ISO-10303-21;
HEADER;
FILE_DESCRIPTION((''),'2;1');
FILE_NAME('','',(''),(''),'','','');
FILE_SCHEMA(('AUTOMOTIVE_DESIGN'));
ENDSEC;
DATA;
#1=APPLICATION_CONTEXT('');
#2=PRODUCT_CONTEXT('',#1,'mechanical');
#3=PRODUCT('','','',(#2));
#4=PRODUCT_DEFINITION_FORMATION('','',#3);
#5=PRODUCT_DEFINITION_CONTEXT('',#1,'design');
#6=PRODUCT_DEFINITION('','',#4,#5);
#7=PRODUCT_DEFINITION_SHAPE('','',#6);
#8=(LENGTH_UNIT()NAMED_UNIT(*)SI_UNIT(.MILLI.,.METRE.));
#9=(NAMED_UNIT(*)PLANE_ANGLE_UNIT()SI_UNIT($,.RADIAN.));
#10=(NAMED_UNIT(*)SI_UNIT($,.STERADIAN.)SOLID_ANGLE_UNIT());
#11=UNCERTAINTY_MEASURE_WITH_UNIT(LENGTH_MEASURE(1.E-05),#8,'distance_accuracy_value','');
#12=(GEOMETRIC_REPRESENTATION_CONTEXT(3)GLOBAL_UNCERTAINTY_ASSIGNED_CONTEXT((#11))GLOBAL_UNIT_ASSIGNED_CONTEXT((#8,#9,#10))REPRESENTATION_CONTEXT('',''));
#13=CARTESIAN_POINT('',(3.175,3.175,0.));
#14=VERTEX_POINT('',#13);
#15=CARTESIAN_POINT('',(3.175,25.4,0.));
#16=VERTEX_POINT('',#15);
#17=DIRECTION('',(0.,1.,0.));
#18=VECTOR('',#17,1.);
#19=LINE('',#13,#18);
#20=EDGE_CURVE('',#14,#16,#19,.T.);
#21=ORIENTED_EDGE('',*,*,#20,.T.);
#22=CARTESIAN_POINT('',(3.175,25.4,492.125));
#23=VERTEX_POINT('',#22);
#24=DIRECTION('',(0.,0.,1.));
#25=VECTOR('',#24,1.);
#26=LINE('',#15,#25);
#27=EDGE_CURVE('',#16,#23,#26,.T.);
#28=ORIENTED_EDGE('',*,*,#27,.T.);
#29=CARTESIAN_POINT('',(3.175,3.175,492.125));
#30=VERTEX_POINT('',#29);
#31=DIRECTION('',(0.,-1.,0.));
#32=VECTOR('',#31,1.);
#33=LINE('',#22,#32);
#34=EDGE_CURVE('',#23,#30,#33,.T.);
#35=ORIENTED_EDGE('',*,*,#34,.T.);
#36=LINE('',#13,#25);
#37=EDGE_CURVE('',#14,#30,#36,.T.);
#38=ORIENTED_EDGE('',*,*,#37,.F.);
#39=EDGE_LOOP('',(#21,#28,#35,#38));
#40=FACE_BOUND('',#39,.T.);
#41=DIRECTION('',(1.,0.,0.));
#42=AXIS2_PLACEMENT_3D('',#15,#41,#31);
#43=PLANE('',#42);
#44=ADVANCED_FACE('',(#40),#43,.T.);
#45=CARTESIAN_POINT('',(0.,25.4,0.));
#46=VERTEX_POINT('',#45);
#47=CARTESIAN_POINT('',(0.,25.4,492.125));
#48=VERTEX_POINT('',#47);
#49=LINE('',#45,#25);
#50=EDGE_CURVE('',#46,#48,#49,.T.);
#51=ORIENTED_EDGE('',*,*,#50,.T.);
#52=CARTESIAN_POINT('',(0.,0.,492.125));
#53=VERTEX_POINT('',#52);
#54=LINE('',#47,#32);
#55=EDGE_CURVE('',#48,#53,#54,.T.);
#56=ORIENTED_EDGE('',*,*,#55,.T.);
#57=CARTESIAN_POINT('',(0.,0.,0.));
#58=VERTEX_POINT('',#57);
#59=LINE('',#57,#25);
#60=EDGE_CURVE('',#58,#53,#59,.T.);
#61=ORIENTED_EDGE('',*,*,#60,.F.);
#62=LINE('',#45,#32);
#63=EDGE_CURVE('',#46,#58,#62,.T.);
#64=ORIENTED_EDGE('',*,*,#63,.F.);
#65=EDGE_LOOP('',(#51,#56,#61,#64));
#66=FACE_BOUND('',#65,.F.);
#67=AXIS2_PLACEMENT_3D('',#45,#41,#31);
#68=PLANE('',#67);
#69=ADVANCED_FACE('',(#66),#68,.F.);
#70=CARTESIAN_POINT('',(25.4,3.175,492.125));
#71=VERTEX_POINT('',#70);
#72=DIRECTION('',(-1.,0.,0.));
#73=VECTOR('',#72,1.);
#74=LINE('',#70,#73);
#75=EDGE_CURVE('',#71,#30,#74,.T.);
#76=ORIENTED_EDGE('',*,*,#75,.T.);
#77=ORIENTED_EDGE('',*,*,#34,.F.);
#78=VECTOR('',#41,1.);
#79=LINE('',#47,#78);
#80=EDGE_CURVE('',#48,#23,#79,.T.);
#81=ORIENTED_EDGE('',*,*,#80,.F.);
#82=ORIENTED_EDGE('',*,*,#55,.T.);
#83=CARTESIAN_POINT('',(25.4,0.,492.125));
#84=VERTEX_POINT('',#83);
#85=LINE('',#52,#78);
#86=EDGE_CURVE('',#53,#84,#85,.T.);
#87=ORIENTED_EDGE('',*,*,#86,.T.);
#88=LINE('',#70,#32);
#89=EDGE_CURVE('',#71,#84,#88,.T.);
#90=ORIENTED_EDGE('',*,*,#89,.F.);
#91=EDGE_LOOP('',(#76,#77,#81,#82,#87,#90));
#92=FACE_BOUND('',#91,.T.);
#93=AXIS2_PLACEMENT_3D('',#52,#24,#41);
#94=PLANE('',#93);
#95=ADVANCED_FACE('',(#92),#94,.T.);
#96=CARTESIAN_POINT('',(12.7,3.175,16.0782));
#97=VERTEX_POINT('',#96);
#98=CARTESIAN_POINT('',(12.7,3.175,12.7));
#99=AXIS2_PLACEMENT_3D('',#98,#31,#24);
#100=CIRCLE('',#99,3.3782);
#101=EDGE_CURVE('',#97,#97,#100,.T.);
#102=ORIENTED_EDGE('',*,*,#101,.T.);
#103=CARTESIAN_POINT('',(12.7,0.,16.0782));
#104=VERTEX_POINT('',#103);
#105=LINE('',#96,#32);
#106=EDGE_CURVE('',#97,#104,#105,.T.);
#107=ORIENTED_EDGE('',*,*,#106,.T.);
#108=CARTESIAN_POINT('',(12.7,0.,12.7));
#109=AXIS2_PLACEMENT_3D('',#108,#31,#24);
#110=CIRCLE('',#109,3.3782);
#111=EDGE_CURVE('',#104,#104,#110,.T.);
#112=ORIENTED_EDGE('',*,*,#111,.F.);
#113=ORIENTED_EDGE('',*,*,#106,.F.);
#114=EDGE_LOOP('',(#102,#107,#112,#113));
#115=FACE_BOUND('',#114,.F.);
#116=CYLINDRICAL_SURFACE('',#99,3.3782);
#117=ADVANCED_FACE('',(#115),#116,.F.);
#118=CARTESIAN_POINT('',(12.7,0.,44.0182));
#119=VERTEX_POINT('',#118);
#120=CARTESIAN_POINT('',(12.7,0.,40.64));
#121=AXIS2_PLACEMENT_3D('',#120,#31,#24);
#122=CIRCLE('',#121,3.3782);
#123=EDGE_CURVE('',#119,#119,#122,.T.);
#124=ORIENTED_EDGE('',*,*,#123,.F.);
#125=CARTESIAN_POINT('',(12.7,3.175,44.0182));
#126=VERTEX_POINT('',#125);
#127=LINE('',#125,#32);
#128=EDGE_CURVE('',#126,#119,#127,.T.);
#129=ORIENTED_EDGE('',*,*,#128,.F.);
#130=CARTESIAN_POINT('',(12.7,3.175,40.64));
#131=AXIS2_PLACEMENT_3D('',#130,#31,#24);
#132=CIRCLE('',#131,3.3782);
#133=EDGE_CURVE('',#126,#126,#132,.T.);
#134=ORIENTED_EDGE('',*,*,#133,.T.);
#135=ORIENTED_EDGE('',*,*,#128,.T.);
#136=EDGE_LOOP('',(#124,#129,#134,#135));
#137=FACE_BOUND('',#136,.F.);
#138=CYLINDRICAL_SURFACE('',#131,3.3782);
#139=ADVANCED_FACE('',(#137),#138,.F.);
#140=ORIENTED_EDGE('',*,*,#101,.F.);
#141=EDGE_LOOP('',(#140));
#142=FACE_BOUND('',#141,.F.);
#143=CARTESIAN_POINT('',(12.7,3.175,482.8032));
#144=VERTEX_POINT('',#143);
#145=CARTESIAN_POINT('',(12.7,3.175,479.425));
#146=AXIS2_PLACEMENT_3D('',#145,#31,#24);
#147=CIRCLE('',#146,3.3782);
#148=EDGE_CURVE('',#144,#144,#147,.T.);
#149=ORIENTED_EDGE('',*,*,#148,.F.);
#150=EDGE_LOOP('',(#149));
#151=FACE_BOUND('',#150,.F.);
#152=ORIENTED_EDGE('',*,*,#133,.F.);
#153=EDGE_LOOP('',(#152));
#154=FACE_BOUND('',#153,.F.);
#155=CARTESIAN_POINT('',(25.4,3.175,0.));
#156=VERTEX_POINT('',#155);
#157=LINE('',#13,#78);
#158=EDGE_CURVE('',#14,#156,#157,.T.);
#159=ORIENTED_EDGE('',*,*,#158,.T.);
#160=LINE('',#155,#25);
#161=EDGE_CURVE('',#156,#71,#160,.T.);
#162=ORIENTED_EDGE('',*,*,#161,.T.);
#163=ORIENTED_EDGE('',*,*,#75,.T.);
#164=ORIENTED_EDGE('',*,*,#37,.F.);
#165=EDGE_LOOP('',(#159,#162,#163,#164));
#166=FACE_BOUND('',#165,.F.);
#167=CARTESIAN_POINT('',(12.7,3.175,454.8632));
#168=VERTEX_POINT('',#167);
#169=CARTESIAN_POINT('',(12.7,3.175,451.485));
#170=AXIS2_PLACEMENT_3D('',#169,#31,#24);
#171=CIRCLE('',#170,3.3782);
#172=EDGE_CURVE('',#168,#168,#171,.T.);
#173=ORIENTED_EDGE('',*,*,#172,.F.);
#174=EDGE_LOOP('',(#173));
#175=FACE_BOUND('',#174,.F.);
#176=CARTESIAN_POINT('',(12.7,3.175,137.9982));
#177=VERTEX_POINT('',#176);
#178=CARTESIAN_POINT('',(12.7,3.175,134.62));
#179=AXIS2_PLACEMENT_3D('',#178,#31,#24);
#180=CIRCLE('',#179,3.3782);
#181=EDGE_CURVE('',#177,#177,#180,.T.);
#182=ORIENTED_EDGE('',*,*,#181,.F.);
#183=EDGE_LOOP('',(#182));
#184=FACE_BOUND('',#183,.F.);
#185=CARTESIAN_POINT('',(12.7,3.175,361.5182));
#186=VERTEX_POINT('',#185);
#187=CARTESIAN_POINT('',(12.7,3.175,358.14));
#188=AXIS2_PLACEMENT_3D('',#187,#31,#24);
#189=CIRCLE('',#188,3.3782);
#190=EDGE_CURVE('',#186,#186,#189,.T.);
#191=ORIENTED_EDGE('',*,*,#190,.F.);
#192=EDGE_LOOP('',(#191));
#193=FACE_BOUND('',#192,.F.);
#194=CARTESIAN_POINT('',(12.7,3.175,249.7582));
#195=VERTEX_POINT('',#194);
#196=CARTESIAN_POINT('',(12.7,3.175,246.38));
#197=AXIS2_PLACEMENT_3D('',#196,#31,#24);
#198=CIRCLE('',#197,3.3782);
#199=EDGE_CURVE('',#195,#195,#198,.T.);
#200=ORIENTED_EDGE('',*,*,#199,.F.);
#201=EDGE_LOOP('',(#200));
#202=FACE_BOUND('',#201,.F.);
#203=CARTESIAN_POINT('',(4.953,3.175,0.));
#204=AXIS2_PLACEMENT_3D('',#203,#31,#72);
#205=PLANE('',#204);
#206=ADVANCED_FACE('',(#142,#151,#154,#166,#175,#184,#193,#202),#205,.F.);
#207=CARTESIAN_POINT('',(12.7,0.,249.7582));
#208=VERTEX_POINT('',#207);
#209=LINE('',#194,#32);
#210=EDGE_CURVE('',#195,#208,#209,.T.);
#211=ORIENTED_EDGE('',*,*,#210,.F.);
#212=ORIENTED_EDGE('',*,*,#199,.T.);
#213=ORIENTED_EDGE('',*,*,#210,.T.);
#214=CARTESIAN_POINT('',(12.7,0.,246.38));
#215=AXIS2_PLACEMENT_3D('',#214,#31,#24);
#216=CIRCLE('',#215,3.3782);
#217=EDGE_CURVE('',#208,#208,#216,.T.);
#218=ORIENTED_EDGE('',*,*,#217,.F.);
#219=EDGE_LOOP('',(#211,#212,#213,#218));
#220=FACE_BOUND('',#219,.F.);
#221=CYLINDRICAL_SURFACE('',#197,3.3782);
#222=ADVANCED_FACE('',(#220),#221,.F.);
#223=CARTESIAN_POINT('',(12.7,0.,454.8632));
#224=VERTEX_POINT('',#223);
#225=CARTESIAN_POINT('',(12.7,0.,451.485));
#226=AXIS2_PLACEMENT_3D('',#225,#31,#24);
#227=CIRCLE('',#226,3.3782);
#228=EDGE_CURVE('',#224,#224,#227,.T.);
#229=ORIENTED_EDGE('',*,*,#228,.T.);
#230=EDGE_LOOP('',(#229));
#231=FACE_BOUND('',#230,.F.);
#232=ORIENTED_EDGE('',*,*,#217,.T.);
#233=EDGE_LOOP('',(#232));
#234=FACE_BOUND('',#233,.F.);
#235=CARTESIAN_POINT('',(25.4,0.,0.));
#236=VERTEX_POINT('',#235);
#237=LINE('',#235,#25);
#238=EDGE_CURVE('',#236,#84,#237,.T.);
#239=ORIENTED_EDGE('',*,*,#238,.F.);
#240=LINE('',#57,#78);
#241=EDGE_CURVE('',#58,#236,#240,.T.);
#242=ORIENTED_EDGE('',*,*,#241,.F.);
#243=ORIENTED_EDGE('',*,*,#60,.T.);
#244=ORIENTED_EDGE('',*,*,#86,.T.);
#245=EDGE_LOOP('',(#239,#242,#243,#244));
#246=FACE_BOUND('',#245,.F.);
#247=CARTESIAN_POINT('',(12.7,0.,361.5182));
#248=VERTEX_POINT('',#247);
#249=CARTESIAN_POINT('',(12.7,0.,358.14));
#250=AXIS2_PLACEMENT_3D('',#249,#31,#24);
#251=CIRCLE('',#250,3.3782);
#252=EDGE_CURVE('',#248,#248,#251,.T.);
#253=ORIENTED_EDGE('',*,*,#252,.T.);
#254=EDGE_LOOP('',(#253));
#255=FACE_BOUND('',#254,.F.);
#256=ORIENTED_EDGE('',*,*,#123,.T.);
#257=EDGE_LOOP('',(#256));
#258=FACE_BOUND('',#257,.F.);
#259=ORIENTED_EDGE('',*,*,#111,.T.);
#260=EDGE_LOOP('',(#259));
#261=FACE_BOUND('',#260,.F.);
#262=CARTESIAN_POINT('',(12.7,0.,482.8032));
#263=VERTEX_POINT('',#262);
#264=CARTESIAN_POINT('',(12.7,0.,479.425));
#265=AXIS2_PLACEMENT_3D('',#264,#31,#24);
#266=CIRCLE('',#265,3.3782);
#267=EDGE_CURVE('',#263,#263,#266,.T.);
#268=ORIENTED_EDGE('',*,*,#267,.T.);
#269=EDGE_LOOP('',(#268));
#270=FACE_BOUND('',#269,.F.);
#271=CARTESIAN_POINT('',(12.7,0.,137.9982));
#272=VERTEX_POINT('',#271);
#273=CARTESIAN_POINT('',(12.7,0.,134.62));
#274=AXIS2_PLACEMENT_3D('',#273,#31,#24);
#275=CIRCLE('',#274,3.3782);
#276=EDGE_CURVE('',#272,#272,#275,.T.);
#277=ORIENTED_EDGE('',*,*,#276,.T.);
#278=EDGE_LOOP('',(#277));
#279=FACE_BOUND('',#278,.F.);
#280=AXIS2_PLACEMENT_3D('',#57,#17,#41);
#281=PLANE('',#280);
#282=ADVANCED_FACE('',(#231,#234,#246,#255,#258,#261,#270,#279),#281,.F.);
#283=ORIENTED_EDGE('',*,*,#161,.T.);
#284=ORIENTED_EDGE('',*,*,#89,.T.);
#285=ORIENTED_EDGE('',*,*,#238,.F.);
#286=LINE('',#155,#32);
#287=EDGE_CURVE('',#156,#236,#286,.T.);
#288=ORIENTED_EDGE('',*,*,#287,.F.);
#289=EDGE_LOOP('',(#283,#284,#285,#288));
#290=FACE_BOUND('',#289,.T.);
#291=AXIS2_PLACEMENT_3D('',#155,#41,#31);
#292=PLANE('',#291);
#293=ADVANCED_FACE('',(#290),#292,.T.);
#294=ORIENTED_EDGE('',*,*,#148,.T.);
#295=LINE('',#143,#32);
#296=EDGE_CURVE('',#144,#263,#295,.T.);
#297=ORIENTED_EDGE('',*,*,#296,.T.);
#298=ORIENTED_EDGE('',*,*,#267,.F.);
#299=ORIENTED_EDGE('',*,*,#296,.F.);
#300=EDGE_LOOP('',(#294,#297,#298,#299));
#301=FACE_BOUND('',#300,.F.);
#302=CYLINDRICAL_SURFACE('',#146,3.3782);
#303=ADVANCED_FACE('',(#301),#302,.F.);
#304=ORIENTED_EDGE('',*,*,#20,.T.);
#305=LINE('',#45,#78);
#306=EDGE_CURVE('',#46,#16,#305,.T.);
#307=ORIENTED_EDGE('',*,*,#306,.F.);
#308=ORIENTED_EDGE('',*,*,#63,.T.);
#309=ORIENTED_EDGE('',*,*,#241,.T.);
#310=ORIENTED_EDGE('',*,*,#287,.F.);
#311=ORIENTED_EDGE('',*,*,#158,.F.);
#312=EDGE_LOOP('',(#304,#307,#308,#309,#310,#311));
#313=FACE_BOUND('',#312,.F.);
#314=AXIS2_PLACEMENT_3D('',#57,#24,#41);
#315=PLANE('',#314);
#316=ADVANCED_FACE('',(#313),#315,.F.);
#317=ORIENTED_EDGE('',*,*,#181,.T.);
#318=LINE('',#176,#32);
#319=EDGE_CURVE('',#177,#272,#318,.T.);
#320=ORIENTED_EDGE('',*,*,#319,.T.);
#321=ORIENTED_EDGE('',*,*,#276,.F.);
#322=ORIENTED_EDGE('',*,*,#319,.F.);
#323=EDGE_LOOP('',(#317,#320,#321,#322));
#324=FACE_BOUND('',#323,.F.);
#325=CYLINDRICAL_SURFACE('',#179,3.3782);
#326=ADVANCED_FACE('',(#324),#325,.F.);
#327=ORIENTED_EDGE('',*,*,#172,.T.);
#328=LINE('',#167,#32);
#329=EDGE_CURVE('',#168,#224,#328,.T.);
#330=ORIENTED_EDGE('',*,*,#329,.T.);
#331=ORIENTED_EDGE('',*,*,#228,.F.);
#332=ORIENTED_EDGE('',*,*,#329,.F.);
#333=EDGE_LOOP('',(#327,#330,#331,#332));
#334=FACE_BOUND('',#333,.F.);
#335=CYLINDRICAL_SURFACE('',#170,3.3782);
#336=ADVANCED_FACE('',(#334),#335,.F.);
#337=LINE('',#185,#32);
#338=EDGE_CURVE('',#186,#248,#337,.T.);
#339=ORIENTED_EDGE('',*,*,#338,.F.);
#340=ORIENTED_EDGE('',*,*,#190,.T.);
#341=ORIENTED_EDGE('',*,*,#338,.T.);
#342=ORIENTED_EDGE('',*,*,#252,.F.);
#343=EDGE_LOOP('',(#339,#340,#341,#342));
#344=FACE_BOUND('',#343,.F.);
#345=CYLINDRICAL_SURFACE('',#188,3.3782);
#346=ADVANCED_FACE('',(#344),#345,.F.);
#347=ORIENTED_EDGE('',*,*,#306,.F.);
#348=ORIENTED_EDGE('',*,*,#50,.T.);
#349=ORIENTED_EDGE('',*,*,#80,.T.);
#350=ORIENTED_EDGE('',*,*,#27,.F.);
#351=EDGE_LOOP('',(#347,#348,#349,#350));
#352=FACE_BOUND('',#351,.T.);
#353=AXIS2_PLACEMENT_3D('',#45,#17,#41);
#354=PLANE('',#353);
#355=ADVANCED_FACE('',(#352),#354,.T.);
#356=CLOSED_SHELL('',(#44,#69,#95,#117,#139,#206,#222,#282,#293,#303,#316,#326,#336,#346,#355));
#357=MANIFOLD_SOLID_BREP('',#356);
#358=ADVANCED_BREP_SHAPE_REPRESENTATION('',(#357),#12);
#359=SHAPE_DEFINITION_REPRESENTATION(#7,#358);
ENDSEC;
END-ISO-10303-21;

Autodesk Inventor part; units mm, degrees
ref_plane "YZ Plane" through (0, 0, 0) normal (1, 0, 0) x (0, 1, 0)
ref_plane "XZ Plane" through (0, 0, 0) normal (0, 1, 0) x (-1, 0, 0)
ref_plane "XY Plane" through (0, 0, 0) normal (0, 0, 1) x (1, 0, 0)
sketch "Sketch1" plane through (0, 0, 0) normal (0, 0, 1) x (1, 0, 0)
  line L0 (0, 25.4) -> (0, 0)
  line L1 (0, 0) -> (25.4, 0)
  line L2 (3.175, 25.4) -> (3.175, 4.953)
  line L3 (4.953, 3.175) -> (25.4, 3.175)
  line L4 (0, 25.4) -> (3.175, 25.4)
  line L5 (25.4, 3.175) -> (25.4, 0)
  line L6 (3.175, 4.953) -> (3.175, 3.175)
  line L7 (4.953, 3.175) -> (3.175, 3.175)
  dimension "d0" = 25.4
  dimension "d1" = 25.4
  dimension "d2" = 3.175
extrude "Extrusion1" add sketch "Sketch1" along normal blind 492.125
sketch "Sketch2" plane through (3.175, 3.175, 0) normal (0, 1, 0) x (1, 0, 0)
  circle A0 centre (9.525, -479.425) radius 2.8398
  line L0 (22.225, -492.125) -> (0, -492.125) projected
  line L1 (22.225, 0) -> (22.225, -492.125) projected
  circle A1 centre (9.525, -12.7) radius 2.8398
  line L2 (22.225, 0) -> (0, 0) projected
  point P0 (-3.175, 0)
  point P1 (1.778, -492.125)
  point P2 (1.778, 0)
  dimension "d5" = 12.7
  dimension "d6" = 12.7
  dimension "d9" = 466.725
  dimension "d31" = 12.7
hole "Hole1" at (12.7, 3.175, 479.425) at (12.7, 3.175, 12.7) direction (0, -1, 0) diameter 6.7564 depth 25.4 tip angle 118 clearance for "Flat Head Machine Screw (82)" size "1/4" standard "Ansi Unified Screw Threads"
sketch "Sketch8" plane through (3.175, 3.175, 0) normal (0, 1, 0) x (1, 0, 0)
  circle A0 centre (9.525, -451.485) radius 5.9545
  line L0 (22.225, 0) -> (22.225, -492.125) projected
  line L1 (22.225, -492.125) -> (0, -492.125) projected
  point P0 (-3.175, 0)
  dimension "d59" = 12.7
  dimension "d60" = 40.64
hole "Hole5" at (12.7, 3.175, 451.485) direction (0, -1, 0) diameter 6.7564 depth 25.4 tip angle 118 clearance for "Flat Head Machine Screw (82)" size "1/4" standard "Ansi Unified Screw Threads"
sketch "Sketch9" plane through (3.175, 3.175, 0) normal (0, 1, 0) x (1, 0, 0)
  circle A0 centre (9.525, -40.64) radius 2.391
  line L0 (22.225, 0) -> (22.225, -492.125) projected
  line L1 (22.225, 0) -> (0, 0) projected
  point P0 (-3.175, 0)
  dimension "d68" = 12.7
  dimension "d69" = 40.64
hole "Hole6" at (12.7, 3.175, 40.64) direction (0, -1, 0) diameter 6.7564 depth 25.4 tip angle 118 clearance for "Flat Head Machine Screw (82)" size "1/4" standard "Ansi Unified Screw Threads"
sketch "Sketch10" plane through (3.175, 3.175, 0) normal (0, 1, 0) x (1, 0, 0)
  circle A0 centre (9.525, -134.62) radius 3.9264
  line L0 (22.225, 0) -> (22.225, -492.125) projected
  line L1 (22.225, 0) -> (0, 0) projected
  circle A1 centre (9.525, -246.38) radius 3.9264
  circle A2 centre (9.525, -358.14) radius 3.9264
  point P0 (-3.175, 0)
  dimension "d77" = 12.7
  dimension "d78" = 134.62
  dimension "d81" = 111.76
hole "Hole7" at (12.7, 3.175, 134.62) at (12.7, 3.175, 246.38) at (12.7, 3.175, 358.14) direction (0, -1, 0) diameter 6.7564 depth 25.4 tip angle 118 clearance for "Flat Head Machine Screw (82)" size "1/4" standard "Ansi Unified Screw Threads"
